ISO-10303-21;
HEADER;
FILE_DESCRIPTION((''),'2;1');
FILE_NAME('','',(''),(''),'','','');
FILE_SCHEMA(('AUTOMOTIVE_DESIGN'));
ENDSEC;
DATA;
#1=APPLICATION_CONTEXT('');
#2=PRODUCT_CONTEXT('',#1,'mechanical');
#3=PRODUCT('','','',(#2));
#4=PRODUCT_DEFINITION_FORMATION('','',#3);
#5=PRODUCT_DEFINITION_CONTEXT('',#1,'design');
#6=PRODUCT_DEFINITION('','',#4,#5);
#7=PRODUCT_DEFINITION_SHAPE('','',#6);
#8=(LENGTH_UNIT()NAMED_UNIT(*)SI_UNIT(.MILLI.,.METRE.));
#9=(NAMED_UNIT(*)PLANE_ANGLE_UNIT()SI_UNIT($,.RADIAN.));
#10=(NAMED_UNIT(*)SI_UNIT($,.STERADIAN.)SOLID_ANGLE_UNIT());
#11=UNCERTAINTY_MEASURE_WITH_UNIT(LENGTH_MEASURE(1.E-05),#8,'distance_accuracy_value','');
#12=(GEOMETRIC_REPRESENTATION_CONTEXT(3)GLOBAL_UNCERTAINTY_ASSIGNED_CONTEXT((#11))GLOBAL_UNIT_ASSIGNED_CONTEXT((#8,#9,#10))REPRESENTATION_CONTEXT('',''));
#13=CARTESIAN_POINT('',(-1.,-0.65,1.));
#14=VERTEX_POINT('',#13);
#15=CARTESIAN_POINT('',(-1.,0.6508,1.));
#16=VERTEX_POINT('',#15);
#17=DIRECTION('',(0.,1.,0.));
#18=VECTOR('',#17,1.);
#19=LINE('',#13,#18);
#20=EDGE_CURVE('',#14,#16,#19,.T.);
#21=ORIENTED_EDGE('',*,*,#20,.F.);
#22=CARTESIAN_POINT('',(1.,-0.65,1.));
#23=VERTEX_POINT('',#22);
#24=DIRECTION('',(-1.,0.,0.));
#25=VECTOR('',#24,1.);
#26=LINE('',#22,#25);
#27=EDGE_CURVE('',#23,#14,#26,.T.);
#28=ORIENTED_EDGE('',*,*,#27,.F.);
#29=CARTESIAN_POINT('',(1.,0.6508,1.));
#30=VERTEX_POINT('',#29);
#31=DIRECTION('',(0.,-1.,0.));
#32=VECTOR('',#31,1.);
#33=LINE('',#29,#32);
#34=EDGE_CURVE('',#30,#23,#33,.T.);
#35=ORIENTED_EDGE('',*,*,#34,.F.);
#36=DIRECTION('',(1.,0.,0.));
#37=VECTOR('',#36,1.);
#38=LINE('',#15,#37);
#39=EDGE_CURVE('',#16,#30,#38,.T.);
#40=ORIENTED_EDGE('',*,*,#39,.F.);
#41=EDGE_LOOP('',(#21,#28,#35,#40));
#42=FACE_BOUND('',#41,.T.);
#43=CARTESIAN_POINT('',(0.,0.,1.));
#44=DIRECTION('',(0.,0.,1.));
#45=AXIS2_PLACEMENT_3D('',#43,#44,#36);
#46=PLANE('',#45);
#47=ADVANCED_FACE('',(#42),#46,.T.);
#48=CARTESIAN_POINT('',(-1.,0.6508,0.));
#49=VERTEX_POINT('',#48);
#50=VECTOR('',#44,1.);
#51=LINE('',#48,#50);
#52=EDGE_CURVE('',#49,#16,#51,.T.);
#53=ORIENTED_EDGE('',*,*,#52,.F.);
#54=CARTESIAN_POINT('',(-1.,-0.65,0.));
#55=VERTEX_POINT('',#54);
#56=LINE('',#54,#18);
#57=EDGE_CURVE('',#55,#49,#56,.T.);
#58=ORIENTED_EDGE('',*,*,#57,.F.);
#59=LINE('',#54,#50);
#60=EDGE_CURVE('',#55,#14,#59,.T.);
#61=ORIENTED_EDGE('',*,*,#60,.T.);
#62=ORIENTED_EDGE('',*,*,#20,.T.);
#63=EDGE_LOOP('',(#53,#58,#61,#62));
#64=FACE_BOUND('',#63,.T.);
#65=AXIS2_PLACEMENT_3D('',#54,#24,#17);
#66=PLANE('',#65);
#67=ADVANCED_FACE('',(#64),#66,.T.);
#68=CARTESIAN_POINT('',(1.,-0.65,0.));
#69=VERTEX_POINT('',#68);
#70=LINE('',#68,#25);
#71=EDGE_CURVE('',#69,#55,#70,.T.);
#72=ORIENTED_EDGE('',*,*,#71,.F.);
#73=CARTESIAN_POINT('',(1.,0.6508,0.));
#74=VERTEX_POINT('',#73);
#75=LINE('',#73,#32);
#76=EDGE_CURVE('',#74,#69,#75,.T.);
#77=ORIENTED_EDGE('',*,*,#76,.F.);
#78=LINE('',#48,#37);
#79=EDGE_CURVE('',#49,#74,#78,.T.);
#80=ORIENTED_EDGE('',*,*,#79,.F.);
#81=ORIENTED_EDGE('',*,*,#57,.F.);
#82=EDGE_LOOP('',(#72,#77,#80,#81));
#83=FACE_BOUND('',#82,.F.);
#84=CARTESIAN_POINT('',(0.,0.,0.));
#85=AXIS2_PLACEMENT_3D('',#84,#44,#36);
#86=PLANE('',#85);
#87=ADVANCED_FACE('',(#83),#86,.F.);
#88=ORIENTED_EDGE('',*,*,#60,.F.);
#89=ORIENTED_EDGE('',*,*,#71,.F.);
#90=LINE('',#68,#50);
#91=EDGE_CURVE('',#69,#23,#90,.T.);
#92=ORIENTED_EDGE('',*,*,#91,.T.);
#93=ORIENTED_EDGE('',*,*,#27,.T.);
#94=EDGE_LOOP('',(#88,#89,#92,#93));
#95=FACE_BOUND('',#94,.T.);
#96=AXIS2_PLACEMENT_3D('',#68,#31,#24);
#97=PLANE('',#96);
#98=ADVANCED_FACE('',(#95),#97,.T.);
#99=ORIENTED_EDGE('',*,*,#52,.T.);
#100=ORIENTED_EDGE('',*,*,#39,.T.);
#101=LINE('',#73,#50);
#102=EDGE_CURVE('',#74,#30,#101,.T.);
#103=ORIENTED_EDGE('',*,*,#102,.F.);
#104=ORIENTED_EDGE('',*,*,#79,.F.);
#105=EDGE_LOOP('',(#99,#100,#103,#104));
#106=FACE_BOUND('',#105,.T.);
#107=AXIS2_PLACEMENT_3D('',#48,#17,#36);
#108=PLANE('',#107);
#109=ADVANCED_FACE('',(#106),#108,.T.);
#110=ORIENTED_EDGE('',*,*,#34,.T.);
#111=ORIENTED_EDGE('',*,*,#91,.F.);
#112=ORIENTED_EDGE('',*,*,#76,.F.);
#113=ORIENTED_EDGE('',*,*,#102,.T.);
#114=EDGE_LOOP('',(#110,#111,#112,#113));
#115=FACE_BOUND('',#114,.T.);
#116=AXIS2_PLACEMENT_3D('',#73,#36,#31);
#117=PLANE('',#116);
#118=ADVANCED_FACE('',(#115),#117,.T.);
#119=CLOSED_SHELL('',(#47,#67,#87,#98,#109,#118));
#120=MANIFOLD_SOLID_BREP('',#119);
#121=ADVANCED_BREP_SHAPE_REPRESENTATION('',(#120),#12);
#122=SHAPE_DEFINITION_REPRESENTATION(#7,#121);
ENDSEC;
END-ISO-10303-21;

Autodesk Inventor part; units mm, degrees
ref_plane "YZ Plane" through (0, 0, 0) normal (1, 0, 0) x (0, 1, 0)
ref_plane "XZ Plane" through (0, 0, 0) normal (0, 1, 0) x (-1, 0, 0)
ref_plane "XY Plane" through (0, 0, 0) normal (0, 0, 1) x (1, 0, 0)
sketch "C0805K, C0805K_1" plane through (0, 0, 0) normal (0, 0, 1) x (1, 0, 0)
  line L0 (-1, 0.6508) -> (1, 0.6508)
  line L1 (1, 0.6508) -> (1, -0.65)
  line L2 (1, -0.65) -> (-1, -0.65)
  line L3 (-1, -0.65) -> (-1, 0.6508)
extrude "Extrusion1" add sketch "C0805K, C0805K_1" along normal blind 1
properties part number "C0805K"
